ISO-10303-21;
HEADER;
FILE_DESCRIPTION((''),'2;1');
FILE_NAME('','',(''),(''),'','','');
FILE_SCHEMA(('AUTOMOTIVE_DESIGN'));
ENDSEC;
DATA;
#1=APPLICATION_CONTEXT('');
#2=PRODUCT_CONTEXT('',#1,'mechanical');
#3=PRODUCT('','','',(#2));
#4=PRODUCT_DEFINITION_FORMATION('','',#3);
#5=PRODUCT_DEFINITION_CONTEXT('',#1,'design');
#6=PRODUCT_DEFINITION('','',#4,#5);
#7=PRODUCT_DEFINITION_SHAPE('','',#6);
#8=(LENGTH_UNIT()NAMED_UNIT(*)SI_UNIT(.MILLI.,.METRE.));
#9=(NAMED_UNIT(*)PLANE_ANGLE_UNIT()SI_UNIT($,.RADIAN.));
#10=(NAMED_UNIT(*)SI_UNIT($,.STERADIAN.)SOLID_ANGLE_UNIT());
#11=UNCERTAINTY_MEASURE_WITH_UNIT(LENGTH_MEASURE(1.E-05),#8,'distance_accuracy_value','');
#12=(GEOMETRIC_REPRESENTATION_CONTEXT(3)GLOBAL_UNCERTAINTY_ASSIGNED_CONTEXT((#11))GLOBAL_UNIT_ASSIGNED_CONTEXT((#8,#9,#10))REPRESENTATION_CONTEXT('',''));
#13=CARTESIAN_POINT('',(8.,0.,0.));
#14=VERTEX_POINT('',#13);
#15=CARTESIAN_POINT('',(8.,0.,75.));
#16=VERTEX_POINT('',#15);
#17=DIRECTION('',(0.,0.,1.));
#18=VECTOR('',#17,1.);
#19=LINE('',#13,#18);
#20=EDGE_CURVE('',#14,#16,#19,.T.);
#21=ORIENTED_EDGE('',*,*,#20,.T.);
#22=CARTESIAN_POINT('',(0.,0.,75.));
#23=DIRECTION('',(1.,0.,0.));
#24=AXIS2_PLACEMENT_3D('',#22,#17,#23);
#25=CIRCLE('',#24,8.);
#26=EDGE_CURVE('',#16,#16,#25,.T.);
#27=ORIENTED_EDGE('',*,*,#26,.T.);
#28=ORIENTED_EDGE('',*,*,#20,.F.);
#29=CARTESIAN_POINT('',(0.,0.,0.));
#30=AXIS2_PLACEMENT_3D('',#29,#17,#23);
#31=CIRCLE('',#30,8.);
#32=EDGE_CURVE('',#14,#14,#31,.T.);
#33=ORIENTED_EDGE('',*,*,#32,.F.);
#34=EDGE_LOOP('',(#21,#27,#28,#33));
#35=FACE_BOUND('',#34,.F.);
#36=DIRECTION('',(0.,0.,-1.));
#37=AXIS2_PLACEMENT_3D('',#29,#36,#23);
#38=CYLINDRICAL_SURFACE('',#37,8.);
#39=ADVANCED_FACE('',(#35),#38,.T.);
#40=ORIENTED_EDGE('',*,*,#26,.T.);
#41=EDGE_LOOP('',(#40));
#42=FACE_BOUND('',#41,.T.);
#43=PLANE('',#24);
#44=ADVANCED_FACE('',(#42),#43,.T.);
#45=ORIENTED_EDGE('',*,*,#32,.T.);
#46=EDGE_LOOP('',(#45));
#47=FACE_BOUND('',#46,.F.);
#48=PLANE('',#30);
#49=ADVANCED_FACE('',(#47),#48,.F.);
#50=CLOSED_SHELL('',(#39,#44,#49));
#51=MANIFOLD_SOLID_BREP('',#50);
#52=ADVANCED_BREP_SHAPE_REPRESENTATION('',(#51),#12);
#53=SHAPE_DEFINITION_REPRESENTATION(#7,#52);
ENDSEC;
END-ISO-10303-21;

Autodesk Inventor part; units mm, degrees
ref_plane "YZ Plane" through (0, 0, 0) normal (1, 0, 0) x (0, 1, 0)
ref_plane "XZ Plane" through (0, 0, 0) normal (0, 1, 0) x (-1, 0, 0)
ref_plane "XY Plane" through (0, 0, 0) normal (0, 0, 1) x (1, 0, 0)
sketch "Sketch1" plane through (0, 0, 0) normal (0, 0, 1) x (1, 0, 0)
  circle A0 centre (0, 0) radius 8
  dimension "d0" = 16
extrude "Extrusion1" add sketch "Sketch1" along normal blind 75
properties part number "Rod End Stop" material "ABS Plastic"
